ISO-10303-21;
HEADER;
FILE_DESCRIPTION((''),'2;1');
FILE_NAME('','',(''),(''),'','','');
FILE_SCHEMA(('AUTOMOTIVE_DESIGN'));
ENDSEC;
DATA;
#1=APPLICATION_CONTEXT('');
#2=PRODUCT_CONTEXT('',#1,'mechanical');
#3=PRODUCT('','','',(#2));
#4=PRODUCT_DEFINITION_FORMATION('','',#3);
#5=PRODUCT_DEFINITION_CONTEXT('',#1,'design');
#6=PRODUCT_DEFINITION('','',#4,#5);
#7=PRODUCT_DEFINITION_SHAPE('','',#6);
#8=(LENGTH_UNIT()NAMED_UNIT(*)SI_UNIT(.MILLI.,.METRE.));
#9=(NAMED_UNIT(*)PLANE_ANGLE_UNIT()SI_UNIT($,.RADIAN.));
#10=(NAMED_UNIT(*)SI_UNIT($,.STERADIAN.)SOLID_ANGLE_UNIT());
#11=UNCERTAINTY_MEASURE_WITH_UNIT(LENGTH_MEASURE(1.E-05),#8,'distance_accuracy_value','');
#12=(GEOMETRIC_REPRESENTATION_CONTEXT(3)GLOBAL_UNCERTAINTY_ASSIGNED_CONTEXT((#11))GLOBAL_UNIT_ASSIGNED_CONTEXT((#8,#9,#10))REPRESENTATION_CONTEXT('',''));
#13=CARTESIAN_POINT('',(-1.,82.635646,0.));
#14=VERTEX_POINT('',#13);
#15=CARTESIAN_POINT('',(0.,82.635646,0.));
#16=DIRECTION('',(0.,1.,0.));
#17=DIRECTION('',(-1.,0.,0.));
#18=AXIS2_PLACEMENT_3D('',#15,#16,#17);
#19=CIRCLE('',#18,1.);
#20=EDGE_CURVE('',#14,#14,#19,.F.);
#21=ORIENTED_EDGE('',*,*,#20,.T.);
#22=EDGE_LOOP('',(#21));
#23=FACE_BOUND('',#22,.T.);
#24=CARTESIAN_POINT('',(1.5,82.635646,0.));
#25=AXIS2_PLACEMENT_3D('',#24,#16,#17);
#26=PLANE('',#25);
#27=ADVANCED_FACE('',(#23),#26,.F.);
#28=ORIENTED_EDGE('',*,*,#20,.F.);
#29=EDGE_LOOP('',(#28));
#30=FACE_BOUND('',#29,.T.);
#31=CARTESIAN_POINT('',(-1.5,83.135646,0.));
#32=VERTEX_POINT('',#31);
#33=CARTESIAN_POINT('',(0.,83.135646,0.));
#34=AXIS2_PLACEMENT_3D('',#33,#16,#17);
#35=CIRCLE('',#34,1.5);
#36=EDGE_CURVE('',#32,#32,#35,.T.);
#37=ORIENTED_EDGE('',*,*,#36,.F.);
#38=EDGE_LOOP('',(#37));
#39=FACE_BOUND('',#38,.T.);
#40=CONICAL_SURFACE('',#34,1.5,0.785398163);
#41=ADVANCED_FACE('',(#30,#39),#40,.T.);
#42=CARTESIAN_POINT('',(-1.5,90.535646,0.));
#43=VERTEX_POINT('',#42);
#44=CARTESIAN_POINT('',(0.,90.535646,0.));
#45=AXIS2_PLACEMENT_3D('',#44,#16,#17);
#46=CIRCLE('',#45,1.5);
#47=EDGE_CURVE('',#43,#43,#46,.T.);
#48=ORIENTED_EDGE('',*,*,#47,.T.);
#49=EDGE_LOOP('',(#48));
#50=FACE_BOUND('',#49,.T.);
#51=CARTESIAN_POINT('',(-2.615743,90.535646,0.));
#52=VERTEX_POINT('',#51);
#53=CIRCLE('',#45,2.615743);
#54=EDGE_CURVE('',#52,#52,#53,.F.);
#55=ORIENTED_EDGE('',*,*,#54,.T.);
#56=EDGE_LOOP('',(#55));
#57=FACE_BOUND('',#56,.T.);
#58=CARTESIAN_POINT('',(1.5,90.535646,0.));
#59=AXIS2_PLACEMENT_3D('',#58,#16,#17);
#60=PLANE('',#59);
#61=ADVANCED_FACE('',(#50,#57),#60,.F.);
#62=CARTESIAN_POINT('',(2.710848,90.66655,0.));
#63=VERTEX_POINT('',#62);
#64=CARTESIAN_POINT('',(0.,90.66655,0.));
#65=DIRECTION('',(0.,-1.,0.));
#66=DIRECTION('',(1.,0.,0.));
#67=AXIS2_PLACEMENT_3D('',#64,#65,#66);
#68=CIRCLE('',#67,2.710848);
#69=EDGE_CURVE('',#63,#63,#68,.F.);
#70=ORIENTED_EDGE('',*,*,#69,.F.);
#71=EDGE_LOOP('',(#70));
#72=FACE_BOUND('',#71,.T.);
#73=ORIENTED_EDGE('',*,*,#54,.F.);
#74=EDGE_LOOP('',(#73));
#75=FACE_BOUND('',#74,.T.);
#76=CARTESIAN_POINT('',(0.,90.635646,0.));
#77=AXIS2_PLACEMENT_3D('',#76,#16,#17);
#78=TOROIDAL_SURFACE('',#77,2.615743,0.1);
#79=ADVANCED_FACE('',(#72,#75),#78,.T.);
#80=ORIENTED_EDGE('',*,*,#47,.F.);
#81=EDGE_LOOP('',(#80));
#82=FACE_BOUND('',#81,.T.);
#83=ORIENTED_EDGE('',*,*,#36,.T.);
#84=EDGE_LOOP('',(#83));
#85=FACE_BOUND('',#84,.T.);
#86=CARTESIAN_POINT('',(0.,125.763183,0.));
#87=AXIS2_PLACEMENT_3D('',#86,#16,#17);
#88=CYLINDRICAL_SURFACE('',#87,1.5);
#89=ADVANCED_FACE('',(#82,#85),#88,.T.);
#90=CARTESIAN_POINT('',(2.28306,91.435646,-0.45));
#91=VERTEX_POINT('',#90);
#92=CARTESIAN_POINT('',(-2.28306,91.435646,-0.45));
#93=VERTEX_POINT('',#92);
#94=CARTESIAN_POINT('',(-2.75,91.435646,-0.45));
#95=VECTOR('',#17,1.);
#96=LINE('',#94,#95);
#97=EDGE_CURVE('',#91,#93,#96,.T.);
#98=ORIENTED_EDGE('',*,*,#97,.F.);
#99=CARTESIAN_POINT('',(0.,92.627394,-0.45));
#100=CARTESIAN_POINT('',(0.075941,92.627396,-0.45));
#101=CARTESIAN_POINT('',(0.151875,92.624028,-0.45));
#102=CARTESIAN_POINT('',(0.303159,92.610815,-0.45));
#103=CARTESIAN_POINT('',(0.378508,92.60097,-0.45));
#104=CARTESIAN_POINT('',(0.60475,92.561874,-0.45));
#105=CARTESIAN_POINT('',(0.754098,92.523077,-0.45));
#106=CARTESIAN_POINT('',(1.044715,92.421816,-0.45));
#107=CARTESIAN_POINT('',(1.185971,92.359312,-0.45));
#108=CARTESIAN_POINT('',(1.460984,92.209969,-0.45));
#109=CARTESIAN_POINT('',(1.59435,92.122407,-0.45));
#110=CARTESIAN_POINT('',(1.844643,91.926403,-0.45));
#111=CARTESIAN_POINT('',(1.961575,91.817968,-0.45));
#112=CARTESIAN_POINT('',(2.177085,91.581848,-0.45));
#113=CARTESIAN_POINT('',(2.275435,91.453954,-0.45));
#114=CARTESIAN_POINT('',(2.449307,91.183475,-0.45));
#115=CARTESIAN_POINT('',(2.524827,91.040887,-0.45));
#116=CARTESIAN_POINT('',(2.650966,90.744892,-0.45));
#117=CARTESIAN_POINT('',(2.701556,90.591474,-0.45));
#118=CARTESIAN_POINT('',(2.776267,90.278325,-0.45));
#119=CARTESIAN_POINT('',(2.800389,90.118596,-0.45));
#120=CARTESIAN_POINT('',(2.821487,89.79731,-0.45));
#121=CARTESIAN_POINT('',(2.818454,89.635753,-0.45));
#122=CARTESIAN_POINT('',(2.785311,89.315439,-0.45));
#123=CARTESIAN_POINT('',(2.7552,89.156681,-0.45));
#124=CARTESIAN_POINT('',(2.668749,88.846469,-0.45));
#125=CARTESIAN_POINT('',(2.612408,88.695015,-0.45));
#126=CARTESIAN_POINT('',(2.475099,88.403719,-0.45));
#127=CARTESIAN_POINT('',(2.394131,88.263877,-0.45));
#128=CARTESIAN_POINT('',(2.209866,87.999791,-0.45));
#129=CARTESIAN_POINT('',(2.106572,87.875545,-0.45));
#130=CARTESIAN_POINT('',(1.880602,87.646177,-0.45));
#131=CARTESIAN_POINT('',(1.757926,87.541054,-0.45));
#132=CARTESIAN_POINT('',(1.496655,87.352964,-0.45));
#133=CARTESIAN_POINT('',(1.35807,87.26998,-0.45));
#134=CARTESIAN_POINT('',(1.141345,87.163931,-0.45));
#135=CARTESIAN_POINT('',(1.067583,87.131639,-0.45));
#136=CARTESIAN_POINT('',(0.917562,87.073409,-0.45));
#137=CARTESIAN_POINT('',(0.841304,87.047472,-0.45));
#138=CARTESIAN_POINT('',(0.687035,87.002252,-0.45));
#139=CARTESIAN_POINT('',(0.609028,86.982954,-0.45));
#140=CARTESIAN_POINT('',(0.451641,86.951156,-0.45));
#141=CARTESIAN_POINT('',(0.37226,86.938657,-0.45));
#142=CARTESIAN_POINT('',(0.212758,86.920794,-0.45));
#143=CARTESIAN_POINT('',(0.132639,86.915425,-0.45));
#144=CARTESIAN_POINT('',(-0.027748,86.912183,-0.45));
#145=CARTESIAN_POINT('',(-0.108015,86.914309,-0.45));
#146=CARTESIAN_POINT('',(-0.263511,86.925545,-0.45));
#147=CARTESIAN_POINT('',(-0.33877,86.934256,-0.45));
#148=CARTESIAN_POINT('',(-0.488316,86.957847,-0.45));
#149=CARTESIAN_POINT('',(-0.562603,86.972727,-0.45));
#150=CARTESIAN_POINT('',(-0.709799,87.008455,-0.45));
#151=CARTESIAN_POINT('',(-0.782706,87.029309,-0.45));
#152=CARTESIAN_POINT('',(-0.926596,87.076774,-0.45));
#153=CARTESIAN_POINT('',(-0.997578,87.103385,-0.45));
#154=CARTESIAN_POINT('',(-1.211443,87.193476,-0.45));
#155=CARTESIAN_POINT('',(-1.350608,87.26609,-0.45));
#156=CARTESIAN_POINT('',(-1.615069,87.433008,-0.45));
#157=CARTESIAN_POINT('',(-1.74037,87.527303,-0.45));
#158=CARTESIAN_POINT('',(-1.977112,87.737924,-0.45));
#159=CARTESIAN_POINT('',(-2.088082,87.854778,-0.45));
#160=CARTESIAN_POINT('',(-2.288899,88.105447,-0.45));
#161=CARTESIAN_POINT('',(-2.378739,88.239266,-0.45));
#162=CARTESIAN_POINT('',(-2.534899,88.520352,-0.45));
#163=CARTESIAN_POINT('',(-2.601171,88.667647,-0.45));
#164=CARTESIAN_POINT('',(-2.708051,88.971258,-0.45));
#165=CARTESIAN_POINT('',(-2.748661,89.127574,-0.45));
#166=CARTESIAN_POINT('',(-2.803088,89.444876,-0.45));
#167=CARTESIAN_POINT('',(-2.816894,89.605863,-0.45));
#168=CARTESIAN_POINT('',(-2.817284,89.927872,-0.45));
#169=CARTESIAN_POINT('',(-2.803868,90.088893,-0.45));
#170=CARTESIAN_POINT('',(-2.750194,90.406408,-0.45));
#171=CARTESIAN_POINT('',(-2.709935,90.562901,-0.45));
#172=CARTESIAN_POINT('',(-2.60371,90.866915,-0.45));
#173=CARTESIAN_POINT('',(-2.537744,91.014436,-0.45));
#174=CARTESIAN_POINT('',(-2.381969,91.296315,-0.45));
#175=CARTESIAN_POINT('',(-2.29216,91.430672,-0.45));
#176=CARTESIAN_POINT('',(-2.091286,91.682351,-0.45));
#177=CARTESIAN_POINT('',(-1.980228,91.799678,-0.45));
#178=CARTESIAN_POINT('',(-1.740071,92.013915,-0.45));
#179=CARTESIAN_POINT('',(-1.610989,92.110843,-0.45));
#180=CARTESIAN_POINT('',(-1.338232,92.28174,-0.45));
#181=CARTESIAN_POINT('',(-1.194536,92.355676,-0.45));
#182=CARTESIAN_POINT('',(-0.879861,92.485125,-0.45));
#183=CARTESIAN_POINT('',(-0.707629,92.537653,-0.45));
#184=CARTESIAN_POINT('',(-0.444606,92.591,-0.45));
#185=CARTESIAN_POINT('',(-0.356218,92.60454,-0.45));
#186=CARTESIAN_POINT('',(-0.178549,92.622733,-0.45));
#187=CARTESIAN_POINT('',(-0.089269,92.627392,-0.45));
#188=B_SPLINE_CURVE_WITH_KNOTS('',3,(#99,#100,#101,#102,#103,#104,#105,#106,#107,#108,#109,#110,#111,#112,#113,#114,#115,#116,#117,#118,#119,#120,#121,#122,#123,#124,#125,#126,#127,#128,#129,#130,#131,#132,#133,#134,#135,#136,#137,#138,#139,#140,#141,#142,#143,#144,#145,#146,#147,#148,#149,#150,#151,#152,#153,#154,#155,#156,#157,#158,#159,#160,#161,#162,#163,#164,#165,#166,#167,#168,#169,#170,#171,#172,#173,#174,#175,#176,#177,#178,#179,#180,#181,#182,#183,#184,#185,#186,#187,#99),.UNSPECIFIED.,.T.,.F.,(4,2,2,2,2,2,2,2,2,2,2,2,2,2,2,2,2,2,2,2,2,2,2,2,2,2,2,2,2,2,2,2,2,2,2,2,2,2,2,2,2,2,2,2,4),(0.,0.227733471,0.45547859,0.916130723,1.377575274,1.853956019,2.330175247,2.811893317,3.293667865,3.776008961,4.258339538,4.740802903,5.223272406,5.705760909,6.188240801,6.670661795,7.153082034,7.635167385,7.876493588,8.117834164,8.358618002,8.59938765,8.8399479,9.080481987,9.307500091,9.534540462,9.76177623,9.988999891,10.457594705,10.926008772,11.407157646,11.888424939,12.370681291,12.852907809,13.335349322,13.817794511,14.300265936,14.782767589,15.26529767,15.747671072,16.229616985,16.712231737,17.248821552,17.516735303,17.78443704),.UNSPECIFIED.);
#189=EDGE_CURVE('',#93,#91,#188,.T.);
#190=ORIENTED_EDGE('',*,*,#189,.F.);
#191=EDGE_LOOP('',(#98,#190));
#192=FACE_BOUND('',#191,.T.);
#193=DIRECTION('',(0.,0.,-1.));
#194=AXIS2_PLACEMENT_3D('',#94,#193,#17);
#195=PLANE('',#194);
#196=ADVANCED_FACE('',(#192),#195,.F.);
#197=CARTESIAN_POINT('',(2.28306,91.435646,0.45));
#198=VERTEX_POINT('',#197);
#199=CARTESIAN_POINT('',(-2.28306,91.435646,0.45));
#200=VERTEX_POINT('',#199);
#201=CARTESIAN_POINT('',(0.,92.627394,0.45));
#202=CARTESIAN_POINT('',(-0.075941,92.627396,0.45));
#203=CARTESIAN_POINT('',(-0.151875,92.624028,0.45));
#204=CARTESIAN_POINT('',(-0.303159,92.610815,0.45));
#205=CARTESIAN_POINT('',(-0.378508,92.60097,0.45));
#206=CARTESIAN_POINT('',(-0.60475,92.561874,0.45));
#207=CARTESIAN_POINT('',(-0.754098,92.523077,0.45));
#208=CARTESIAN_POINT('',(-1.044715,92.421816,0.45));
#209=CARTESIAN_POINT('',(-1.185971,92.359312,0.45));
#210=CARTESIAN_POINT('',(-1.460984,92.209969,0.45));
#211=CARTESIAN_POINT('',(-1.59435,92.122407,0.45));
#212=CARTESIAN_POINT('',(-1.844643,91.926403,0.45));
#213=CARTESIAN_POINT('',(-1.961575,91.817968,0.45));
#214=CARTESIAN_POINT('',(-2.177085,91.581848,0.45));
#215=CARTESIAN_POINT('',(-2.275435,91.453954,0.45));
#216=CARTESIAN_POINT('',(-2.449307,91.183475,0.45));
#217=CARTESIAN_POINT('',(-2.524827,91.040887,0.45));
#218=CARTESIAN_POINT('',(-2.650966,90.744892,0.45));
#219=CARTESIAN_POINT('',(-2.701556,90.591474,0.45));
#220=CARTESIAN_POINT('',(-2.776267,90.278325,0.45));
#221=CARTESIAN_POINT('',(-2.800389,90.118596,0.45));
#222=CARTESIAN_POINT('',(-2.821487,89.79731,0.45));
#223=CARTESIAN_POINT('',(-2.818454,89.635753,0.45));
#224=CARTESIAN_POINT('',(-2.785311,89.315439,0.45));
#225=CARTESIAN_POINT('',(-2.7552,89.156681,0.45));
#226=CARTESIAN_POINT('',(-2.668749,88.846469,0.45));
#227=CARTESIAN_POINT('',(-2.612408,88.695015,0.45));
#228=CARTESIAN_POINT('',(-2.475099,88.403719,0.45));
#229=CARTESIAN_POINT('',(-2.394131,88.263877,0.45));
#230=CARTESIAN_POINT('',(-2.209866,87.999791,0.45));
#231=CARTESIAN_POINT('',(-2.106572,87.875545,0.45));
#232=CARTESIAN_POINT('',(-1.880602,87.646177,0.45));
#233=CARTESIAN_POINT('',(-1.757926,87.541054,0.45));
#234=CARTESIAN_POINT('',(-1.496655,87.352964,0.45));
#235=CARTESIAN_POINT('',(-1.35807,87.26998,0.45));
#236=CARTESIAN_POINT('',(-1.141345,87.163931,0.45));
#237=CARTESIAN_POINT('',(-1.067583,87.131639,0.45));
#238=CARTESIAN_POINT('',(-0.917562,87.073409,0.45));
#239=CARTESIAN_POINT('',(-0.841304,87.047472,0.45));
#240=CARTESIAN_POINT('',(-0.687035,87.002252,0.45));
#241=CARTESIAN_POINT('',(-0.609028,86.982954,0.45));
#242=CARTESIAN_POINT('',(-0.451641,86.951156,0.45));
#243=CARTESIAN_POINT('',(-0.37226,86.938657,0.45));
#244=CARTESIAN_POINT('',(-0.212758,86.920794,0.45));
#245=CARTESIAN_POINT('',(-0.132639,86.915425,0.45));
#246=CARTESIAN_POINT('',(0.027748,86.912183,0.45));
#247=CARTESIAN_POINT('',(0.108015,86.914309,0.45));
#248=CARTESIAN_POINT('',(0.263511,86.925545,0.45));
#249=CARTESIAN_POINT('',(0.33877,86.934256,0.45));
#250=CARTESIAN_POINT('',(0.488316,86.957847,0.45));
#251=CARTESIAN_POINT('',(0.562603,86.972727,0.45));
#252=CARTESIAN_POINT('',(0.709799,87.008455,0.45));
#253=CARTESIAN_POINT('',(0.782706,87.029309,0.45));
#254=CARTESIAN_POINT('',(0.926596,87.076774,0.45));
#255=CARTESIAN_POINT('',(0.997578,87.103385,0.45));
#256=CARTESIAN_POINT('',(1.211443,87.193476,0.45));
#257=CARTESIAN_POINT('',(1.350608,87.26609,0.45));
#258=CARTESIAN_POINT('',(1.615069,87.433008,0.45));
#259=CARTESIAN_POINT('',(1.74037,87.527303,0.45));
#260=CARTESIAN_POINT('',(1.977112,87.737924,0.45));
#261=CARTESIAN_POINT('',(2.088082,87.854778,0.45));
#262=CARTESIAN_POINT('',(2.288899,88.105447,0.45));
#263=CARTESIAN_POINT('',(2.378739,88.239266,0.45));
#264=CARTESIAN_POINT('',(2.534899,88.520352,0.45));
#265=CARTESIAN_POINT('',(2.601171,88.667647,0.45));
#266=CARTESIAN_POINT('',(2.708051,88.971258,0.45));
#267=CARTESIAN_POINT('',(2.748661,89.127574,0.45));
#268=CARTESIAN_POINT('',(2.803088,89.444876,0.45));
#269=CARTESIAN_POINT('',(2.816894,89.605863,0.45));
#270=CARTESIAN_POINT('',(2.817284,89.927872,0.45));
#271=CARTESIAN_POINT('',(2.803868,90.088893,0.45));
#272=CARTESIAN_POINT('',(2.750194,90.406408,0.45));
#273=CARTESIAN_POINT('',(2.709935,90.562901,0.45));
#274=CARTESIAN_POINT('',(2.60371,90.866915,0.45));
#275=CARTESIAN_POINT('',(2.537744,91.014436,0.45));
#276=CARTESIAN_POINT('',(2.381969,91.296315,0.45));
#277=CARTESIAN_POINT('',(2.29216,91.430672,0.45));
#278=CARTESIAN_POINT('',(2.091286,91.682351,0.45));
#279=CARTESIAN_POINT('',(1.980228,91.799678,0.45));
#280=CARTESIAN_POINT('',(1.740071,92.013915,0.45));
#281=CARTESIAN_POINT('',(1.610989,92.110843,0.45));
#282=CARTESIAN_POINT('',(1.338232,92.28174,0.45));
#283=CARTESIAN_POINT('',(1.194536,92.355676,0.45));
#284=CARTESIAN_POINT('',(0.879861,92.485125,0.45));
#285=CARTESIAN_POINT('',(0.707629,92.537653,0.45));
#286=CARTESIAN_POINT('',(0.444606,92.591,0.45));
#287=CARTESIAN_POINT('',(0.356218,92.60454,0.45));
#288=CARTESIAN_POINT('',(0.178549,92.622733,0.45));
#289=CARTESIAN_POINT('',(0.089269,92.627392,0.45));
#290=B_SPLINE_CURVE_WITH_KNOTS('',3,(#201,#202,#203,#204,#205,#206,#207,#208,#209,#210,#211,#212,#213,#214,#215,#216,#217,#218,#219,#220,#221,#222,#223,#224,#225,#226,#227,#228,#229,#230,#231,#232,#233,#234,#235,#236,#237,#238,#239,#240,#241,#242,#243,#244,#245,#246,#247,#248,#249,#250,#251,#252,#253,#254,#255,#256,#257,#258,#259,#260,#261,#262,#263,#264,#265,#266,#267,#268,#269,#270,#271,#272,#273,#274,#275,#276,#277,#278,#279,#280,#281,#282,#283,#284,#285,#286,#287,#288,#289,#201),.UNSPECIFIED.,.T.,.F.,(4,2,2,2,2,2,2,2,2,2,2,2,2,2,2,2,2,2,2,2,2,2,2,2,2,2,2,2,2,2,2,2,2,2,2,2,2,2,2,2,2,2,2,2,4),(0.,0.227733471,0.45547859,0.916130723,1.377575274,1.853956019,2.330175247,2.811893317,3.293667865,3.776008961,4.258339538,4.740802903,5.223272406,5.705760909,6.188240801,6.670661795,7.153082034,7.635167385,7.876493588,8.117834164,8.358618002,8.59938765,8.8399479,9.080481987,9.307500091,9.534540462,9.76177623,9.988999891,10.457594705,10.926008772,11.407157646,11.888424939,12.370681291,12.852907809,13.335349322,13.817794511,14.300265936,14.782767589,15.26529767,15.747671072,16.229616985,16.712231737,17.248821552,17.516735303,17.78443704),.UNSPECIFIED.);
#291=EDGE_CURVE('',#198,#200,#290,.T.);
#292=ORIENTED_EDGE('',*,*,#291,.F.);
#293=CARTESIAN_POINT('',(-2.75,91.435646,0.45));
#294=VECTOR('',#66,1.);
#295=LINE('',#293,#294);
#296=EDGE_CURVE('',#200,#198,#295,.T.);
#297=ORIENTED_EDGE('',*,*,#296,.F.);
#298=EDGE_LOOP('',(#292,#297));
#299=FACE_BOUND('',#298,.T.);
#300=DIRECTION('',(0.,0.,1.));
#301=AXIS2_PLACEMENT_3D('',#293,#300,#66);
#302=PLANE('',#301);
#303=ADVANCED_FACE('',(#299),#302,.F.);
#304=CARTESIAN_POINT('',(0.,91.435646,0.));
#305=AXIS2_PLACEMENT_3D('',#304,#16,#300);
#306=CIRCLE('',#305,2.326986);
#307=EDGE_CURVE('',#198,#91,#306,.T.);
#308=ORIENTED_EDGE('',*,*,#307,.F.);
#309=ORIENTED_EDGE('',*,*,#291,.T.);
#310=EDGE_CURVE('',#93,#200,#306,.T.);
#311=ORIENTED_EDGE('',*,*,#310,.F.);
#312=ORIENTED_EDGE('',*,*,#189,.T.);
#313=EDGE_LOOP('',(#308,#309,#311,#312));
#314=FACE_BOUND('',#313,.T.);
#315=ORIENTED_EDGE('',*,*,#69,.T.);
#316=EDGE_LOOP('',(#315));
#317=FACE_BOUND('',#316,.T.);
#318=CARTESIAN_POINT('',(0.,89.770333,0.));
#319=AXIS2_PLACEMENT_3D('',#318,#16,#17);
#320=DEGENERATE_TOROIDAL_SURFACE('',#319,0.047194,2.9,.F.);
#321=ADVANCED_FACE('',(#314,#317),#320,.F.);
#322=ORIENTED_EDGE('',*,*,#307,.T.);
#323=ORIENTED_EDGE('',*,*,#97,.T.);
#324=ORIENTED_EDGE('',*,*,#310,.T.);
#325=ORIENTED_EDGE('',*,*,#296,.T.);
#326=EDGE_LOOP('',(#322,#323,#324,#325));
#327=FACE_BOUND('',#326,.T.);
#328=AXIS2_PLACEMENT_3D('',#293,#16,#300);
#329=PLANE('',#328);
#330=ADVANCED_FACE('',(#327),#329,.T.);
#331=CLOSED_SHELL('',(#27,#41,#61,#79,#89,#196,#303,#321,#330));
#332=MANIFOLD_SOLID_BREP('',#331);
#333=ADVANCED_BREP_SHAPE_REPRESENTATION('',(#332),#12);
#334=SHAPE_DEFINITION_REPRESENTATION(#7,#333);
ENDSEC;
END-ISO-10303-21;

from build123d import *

# Parameters (mm, degrees)
SKETCH_13_W         = 5.5
SKETCH_13_H         = 0.9
CUT_EXTRUDE_9_DEPTH = 1.2
FILLET_1_R          = 0.1
CHAMFER_1_SIZE      = 0.5


with BuildPart() as part:
    # Эскиз1 → Повернуть1 (revolve)
    with BuildSketch(Plane.XY):
        with BuildLine():
            Line((1.5, 90.535646063), (2.75, 90.535646063))
            ThreePointArc((2.75, 90.535646063), (1.885165475, 91.932735999), (0.4, 92.635646063))
            Line((0.4, 92.635646063), (0, 92.635646063))
            Line((0, 92.635646063), (0, 82.635646063))
            Line((0, 82.635646063), (1.5, 82.635646063))
            Line((1.5, 82.635646063), (1.5, 90.535646063))
        make_face()
    revolve(axis=Axis((0, 125.763182898, 0), (0, -1, 0)))

    # Эскиз13 → Вырез-Вытянуть9 (cut)
    with BuildSketch(Plane(origin=(0, 92.635646063, 0), x_dir=(-1, 0, 0), z_dir=(0, 1, 0))):
        Rectangle(SKETCH_13_W, SKETCH_13_H)
    extrude(amount=-CUT_EXTRUDE_9_DEPTH, mode=Mode.SUBTRACT)

    # Скругление1
    fillet_1_edges = [part.edges().sort_by_distance(p)[0] for p in [
        (-2.75, 90.535646063, 0),
    ]]
    fillet(fillet_1_edges, radius=FILLET_1_R)

    # Фаска1
    chamfer_1_edges = [part.edges().sort_by_distance(p)[0] for p in [
        (-1.5, 82.635646063, 0),
    ]]
    chamfer(chamfer_1_edges, length=CHAMFER_1_SIZE)


solid = part.part
